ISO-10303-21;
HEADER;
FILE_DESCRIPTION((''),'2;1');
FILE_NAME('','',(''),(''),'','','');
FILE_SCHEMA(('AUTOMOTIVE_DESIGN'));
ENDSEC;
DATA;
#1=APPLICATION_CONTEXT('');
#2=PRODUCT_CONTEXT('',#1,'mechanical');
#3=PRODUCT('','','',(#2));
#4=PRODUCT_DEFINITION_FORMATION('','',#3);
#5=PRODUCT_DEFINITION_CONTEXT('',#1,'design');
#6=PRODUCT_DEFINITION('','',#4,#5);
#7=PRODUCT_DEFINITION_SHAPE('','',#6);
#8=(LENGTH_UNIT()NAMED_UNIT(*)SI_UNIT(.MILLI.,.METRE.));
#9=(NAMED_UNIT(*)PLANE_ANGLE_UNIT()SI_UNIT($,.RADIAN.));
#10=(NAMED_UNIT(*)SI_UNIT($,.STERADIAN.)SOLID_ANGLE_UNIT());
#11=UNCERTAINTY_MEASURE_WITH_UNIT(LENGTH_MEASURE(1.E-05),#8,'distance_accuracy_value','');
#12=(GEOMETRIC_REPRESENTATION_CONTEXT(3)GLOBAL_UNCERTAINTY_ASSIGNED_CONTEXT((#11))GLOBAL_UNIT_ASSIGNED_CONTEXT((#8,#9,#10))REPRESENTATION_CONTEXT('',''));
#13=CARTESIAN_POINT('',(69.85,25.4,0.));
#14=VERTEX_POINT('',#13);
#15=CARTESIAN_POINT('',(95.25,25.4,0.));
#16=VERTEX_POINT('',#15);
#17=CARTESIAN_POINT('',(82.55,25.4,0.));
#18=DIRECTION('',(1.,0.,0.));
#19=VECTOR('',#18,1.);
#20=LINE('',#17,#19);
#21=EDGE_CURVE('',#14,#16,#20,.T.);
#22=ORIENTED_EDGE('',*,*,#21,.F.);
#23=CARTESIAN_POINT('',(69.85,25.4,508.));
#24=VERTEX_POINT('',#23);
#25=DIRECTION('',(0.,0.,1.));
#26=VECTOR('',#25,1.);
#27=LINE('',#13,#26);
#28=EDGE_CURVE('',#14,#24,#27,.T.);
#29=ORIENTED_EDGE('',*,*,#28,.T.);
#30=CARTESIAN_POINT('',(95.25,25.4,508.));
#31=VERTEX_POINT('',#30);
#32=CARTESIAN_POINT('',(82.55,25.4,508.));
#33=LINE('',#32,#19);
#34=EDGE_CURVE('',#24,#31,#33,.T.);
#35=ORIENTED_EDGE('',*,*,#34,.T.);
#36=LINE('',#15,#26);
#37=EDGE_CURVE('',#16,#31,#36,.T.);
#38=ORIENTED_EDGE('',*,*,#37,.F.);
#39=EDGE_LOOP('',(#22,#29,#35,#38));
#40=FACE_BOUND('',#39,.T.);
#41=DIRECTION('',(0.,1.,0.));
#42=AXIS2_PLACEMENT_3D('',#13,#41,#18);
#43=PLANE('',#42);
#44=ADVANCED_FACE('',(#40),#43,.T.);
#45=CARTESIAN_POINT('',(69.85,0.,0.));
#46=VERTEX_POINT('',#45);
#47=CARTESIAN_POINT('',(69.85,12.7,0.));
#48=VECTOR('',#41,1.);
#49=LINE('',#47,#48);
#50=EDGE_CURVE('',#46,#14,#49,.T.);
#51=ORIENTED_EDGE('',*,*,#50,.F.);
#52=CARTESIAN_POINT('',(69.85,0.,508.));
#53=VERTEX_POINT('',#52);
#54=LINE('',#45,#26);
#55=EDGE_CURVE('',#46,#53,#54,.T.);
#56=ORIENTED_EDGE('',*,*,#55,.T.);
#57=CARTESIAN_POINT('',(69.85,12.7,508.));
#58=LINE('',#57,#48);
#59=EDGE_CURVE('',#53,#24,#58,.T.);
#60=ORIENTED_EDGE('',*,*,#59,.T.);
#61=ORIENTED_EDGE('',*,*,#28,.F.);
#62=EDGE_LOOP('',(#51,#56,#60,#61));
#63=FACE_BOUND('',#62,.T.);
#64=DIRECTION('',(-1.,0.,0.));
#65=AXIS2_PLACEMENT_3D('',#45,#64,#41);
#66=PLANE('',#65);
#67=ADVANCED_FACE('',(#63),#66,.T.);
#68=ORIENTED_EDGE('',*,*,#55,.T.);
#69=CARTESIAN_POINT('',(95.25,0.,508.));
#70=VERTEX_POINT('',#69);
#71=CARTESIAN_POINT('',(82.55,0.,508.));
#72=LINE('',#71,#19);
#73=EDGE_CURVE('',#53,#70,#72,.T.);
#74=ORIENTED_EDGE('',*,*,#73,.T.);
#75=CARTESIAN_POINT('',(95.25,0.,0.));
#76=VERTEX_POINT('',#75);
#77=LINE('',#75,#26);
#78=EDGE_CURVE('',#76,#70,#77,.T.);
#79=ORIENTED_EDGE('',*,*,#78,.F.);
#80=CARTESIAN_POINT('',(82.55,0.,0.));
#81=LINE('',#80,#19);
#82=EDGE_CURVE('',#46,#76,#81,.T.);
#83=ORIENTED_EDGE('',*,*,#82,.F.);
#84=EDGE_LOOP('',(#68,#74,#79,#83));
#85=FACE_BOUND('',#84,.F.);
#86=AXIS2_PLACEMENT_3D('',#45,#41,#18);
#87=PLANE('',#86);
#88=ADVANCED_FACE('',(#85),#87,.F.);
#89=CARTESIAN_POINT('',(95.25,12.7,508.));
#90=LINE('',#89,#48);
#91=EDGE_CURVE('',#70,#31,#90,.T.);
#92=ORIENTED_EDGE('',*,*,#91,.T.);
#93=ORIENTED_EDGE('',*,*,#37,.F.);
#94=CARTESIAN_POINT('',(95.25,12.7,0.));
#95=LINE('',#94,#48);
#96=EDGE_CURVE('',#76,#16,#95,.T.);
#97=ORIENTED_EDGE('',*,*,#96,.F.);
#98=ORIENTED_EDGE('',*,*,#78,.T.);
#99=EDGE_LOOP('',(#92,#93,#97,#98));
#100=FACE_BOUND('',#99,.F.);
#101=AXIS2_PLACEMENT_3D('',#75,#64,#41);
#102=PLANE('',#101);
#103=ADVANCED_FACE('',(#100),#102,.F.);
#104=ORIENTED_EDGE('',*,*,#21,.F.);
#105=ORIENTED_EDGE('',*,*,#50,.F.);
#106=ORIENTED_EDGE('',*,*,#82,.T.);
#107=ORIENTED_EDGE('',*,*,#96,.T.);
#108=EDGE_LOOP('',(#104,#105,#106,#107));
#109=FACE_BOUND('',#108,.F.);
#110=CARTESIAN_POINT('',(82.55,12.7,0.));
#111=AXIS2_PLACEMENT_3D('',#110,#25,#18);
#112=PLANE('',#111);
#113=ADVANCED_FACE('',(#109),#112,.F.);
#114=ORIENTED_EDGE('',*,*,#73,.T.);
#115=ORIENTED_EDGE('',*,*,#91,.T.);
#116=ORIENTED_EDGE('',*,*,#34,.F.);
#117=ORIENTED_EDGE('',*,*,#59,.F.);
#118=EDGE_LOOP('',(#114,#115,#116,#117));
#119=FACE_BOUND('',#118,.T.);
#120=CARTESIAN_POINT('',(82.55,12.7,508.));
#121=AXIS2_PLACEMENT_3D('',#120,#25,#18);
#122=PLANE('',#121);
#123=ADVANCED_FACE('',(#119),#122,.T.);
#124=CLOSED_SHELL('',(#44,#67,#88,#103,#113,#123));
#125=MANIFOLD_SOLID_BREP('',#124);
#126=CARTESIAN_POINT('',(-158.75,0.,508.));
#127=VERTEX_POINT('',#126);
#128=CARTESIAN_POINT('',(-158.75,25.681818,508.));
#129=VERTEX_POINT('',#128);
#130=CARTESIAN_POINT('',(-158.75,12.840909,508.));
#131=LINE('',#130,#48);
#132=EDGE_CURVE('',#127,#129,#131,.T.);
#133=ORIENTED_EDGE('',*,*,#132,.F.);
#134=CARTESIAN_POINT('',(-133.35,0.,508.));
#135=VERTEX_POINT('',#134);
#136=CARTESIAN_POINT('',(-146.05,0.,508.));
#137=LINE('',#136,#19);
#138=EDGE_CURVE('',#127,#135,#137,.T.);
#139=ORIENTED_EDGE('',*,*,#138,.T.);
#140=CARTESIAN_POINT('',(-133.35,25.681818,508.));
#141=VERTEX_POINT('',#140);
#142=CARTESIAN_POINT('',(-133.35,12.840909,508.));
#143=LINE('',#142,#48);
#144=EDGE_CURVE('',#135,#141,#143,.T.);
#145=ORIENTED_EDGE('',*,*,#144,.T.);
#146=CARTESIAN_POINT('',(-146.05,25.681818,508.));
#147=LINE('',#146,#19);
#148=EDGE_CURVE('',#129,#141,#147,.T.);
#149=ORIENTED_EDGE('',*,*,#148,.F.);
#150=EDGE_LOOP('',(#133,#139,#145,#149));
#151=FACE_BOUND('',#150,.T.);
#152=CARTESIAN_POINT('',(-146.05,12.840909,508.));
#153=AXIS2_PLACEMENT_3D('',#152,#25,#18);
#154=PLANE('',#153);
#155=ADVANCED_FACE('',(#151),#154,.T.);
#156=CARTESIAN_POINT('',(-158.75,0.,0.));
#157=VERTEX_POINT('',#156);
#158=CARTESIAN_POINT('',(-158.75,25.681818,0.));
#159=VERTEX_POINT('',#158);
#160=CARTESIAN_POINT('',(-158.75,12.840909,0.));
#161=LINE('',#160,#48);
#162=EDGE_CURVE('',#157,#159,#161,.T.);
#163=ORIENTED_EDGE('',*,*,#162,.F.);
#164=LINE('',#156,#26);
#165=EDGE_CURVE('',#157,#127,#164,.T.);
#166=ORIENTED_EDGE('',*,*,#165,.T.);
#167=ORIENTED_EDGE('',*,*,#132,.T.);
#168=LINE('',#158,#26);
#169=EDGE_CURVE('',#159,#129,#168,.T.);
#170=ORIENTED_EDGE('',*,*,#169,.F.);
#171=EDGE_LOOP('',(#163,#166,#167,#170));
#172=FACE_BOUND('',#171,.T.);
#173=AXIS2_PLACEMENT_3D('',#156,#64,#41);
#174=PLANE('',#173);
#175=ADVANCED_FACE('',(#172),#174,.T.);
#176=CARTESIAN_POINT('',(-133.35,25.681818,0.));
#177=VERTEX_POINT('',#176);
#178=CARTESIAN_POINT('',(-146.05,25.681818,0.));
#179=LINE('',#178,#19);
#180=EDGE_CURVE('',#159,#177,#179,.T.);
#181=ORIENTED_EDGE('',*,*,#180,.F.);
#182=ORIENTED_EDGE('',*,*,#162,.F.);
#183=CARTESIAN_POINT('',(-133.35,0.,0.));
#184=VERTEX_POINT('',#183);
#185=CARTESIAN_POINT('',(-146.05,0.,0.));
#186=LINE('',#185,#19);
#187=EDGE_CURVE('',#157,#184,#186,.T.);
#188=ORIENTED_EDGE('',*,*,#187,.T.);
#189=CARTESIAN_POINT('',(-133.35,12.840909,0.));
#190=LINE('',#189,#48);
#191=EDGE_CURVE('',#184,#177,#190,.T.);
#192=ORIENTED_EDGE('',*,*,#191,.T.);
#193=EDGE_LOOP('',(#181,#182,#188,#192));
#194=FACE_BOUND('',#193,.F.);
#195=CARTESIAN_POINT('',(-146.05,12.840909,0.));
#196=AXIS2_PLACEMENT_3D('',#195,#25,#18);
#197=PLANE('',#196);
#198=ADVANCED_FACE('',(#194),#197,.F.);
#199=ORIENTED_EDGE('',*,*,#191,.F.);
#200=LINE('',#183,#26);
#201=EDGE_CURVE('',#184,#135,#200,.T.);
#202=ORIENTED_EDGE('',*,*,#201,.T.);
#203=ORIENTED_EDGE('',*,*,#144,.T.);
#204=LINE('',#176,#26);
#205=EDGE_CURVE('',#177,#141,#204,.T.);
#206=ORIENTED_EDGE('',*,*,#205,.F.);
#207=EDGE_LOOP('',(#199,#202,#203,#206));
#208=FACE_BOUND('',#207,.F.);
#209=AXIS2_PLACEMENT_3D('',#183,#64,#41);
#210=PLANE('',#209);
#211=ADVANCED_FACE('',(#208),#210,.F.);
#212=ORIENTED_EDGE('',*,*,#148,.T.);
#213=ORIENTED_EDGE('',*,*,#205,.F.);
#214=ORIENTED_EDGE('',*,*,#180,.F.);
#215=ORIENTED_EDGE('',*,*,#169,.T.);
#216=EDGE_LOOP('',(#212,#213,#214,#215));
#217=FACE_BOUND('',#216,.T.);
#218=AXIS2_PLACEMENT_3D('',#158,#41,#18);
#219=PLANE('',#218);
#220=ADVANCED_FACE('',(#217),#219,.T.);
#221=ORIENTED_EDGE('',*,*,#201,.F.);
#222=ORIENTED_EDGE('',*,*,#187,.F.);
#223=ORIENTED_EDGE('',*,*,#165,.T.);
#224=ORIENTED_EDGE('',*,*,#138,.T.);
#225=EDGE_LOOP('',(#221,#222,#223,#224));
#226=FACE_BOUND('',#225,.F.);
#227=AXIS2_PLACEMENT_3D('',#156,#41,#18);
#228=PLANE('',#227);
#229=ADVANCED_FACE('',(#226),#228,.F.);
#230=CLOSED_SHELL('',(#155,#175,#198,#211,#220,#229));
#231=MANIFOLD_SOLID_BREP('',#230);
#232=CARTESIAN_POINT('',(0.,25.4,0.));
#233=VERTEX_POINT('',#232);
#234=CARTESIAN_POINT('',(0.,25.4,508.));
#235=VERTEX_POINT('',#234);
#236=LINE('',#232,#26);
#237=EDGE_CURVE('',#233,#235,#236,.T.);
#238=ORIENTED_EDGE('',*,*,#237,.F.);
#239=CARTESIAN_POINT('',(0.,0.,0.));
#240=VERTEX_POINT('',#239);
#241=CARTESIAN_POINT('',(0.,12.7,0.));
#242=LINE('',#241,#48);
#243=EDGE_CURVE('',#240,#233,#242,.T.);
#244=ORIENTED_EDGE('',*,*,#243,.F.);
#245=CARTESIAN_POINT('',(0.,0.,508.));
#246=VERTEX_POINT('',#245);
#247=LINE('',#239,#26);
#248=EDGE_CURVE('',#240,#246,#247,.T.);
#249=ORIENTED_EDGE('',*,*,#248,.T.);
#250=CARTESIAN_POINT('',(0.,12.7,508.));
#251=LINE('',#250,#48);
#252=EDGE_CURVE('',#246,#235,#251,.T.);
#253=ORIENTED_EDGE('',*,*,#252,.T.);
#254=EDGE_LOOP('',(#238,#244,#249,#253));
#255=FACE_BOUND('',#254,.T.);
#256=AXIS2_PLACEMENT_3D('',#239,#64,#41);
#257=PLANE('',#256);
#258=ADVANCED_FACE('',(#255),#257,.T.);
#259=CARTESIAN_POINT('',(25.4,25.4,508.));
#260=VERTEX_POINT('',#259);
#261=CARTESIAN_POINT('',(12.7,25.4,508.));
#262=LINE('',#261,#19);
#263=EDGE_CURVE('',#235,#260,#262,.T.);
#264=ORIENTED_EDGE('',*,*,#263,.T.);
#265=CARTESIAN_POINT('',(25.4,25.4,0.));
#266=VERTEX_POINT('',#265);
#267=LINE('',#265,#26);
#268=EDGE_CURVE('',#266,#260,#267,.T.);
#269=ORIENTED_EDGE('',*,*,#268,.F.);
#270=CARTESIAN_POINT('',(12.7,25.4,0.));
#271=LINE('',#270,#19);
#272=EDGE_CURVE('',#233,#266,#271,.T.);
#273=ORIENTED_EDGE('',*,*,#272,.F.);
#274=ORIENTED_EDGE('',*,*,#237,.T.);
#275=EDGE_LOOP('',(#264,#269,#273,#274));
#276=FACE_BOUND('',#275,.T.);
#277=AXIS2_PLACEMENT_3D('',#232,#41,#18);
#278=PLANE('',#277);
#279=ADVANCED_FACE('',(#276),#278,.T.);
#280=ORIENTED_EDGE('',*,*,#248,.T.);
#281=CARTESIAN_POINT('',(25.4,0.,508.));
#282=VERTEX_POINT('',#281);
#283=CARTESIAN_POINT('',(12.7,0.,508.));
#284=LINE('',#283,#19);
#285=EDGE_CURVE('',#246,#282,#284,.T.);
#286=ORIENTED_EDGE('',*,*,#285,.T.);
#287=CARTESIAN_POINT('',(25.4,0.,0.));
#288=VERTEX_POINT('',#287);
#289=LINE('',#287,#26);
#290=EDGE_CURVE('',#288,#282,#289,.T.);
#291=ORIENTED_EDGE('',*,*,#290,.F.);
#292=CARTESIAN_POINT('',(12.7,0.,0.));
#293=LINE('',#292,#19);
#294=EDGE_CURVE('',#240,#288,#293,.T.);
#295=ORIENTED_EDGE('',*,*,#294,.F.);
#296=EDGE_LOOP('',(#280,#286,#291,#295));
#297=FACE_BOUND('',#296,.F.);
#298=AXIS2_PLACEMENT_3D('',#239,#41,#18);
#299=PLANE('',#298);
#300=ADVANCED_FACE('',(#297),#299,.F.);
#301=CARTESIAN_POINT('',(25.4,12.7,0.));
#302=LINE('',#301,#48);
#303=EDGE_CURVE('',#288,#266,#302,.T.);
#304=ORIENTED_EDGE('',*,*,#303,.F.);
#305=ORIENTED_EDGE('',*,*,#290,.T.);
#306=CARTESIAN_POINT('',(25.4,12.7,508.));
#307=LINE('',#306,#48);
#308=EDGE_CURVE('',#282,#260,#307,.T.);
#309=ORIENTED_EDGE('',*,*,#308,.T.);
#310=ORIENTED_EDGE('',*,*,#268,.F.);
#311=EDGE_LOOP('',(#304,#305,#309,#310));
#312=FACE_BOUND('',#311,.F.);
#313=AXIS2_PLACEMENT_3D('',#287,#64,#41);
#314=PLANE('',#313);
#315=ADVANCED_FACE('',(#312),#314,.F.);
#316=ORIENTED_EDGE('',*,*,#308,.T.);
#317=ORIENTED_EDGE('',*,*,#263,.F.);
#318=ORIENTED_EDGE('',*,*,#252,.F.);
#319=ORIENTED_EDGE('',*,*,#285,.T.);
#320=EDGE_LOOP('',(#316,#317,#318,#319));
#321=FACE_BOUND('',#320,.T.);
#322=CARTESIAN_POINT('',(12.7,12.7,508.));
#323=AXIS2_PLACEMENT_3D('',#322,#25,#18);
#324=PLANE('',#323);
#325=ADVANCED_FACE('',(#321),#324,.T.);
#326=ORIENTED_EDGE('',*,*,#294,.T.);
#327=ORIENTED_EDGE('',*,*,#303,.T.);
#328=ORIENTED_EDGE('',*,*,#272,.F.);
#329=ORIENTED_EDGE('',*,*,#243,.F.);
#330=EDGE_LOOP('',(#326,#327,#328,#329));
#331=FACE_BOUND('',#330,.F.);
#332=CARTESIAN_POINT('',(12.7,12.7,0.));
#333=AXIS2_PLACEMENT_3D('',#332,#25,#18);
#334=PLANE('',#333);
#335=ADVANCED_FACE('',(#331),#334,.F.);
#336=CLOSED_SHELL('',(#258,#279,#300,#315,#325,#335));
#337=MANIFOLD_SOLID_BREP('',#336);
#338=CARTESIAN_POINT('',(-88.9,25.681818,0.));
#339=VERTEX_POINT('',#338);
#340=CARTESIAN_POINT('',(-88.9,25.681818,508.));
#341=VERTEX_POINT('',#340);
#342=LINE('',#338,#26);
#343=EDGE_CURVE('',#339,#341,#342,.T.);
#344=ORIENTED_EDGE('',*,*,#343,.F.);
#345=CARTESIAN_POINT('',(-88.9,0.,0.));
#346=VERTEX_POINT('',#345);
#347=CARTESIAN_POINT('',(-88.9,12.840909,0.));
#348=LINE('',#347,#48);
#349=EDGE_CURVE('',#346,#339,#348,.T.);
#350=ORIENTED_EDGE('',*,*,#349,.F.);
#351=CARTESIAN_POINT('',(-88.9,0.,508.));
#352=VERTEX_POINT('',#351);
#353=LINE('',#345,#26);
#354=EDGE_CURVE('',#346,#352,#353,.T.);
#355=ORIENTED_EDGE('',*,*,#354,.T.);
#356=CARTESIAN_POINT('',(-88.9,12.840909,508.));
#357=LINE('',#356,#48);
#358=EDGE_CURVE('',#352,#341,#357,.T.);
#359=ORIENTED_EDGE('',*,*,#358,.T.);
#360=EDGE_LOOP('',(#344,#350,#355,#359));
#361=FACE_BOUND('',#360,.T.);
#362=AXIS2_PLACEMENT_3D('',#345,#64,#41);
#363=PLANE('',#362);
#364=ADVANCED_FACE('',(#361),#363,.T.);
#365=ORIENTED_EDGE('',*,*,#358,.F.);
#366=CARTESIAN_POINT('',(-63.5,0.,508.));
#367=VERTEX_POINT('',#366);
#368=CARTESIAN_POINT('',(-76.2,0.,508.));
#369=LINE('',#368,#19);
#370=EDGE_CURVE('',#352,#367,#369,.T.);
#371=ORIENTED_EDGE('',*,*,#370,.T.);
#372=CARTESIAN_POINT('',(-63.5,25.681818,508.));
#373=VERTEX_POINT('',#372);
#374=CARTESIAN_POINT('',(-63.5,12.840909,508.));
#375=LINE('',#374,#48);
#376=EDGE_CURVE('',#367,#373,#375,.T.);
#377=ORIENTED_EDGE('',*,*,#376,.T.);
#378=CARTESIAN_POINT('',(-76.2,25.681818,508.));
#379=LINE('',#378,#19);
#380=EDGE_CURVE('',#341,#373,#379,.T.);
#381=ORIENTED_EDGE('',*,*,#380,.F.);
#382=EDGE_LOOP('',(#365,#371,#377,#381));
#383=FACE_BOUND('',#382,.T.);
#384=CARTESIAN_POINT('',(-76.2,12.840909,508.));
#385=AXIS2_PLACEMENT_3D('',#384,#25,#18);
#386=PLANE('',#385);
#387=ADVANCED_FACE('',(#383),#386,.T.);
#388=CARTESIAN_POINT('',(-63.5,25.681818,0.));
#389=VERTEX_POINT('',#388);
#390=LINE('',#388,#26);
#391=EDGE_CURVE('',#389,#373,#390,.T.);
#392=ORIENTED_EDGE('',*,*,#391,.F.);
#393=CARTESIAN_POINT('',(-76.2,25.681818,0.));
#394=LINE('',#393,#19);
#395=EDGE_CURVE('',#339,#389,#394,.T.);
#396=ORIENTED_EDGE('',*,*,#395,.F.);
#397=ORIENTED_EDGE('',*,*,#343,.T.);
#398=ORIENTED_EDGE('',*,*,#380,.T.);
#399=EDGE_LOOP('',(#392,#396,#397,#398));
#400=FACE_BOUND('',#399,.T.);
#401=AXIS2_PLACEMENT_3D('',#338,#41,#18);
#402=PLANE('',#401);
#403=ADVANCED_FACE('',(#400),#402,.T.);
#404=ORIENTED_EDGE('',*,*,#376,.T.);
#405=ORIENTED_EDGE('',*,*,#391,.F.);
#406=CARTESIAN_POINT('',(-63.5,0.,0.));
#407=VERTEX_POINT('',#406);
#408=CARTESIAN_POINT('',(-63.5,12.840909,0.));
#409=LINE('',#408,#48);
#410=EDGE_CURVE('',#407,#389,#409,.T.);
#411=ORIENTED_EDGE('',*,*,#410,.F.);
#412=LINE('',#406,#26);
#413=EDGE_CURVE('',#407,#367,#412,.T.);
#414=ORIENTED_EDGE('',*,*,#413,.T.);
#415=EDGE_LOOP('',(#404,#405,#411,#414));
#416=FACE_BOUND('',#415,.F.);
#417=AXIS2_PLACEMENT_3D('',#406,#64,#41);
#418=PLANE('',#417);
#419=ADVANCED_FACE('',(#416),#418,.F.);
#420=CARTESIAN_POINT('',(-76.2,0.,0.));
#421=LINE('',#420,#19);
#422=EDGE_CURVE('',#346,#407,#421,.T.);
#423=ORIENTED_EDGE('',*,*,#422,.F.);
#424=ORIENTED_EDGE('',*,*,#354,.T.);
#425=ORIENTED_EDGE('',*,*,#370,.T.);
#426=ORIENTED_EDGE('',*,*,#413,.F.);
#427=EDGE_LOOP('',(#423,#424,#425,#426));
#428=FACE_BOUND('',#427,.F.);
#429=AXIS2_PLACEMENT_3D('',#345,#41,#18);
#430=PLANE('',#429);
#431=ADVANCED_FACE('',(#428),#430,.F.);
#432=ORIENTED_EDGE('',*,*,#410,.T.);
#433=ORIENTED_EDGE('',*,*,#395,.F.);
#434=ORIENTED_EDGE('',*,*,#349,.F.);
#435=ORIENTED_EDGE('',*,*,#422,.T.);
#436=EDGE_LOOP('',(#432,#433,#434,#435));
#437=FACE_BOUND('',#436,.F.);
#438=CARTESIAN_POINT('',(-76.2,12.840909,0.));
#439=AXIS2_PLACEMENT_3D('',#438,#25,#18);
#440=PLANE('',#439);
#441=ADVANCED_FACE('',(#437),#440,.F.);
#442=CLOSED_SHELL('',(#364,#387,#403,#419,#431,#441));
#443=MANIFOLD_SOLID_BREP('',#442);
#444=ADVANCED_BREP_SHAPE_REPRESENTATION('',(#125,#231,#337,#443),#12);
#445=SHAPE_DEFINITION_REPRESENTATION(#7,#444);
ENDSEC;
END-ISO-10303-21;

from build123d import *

# Parameters (mm, degrees)
F1_W     = 25.4
F1_H     = 25.4
F2_DEPTH = 508
F1_H_2   = 25.6818179041


with BuildPart() as f2:
    # F1 (on Top) → F2 (new body)
    with BuildSketch(Plane.XY):
        with Locations((12.7, 12.7)):
            Rectangle(F1_W, F1_H)
    extrude(amount=F2_DEPTH)


with BuildPart() as f2b:
    # F1 (on Top) → F2, piece 2 (new body)
    with BuildSketch(Plane.XY):
        with Locations((82.55, 12.7)):
            Rectangle(F1_W, F1_H)
    extrude(amount=F2_DEPTH)


with BuildPart() as f2c:
    # F1 (on Top) → F2, piece 3 (new body)
    with BuildSketch(Plane.XY):
        with Locations((-76.2, 12.8409089521)):
            Rectangle(F1_W, F1_H_2)
    extrude(amount=F2_DEPTH)


with BuildPart() as f2d:
    # F1 (on Top) → F2, piece 4 (new body)
    with BuildSketch(Plane.XY):
        with Locations((-146.05, 12.8409089521)):
            Rectangle(F1_W, F1_H_2)
    extrude(amount=F2_DEPTH)


solid = Compound([f2.part, f2b.part, f2c.part, f2d.part])
